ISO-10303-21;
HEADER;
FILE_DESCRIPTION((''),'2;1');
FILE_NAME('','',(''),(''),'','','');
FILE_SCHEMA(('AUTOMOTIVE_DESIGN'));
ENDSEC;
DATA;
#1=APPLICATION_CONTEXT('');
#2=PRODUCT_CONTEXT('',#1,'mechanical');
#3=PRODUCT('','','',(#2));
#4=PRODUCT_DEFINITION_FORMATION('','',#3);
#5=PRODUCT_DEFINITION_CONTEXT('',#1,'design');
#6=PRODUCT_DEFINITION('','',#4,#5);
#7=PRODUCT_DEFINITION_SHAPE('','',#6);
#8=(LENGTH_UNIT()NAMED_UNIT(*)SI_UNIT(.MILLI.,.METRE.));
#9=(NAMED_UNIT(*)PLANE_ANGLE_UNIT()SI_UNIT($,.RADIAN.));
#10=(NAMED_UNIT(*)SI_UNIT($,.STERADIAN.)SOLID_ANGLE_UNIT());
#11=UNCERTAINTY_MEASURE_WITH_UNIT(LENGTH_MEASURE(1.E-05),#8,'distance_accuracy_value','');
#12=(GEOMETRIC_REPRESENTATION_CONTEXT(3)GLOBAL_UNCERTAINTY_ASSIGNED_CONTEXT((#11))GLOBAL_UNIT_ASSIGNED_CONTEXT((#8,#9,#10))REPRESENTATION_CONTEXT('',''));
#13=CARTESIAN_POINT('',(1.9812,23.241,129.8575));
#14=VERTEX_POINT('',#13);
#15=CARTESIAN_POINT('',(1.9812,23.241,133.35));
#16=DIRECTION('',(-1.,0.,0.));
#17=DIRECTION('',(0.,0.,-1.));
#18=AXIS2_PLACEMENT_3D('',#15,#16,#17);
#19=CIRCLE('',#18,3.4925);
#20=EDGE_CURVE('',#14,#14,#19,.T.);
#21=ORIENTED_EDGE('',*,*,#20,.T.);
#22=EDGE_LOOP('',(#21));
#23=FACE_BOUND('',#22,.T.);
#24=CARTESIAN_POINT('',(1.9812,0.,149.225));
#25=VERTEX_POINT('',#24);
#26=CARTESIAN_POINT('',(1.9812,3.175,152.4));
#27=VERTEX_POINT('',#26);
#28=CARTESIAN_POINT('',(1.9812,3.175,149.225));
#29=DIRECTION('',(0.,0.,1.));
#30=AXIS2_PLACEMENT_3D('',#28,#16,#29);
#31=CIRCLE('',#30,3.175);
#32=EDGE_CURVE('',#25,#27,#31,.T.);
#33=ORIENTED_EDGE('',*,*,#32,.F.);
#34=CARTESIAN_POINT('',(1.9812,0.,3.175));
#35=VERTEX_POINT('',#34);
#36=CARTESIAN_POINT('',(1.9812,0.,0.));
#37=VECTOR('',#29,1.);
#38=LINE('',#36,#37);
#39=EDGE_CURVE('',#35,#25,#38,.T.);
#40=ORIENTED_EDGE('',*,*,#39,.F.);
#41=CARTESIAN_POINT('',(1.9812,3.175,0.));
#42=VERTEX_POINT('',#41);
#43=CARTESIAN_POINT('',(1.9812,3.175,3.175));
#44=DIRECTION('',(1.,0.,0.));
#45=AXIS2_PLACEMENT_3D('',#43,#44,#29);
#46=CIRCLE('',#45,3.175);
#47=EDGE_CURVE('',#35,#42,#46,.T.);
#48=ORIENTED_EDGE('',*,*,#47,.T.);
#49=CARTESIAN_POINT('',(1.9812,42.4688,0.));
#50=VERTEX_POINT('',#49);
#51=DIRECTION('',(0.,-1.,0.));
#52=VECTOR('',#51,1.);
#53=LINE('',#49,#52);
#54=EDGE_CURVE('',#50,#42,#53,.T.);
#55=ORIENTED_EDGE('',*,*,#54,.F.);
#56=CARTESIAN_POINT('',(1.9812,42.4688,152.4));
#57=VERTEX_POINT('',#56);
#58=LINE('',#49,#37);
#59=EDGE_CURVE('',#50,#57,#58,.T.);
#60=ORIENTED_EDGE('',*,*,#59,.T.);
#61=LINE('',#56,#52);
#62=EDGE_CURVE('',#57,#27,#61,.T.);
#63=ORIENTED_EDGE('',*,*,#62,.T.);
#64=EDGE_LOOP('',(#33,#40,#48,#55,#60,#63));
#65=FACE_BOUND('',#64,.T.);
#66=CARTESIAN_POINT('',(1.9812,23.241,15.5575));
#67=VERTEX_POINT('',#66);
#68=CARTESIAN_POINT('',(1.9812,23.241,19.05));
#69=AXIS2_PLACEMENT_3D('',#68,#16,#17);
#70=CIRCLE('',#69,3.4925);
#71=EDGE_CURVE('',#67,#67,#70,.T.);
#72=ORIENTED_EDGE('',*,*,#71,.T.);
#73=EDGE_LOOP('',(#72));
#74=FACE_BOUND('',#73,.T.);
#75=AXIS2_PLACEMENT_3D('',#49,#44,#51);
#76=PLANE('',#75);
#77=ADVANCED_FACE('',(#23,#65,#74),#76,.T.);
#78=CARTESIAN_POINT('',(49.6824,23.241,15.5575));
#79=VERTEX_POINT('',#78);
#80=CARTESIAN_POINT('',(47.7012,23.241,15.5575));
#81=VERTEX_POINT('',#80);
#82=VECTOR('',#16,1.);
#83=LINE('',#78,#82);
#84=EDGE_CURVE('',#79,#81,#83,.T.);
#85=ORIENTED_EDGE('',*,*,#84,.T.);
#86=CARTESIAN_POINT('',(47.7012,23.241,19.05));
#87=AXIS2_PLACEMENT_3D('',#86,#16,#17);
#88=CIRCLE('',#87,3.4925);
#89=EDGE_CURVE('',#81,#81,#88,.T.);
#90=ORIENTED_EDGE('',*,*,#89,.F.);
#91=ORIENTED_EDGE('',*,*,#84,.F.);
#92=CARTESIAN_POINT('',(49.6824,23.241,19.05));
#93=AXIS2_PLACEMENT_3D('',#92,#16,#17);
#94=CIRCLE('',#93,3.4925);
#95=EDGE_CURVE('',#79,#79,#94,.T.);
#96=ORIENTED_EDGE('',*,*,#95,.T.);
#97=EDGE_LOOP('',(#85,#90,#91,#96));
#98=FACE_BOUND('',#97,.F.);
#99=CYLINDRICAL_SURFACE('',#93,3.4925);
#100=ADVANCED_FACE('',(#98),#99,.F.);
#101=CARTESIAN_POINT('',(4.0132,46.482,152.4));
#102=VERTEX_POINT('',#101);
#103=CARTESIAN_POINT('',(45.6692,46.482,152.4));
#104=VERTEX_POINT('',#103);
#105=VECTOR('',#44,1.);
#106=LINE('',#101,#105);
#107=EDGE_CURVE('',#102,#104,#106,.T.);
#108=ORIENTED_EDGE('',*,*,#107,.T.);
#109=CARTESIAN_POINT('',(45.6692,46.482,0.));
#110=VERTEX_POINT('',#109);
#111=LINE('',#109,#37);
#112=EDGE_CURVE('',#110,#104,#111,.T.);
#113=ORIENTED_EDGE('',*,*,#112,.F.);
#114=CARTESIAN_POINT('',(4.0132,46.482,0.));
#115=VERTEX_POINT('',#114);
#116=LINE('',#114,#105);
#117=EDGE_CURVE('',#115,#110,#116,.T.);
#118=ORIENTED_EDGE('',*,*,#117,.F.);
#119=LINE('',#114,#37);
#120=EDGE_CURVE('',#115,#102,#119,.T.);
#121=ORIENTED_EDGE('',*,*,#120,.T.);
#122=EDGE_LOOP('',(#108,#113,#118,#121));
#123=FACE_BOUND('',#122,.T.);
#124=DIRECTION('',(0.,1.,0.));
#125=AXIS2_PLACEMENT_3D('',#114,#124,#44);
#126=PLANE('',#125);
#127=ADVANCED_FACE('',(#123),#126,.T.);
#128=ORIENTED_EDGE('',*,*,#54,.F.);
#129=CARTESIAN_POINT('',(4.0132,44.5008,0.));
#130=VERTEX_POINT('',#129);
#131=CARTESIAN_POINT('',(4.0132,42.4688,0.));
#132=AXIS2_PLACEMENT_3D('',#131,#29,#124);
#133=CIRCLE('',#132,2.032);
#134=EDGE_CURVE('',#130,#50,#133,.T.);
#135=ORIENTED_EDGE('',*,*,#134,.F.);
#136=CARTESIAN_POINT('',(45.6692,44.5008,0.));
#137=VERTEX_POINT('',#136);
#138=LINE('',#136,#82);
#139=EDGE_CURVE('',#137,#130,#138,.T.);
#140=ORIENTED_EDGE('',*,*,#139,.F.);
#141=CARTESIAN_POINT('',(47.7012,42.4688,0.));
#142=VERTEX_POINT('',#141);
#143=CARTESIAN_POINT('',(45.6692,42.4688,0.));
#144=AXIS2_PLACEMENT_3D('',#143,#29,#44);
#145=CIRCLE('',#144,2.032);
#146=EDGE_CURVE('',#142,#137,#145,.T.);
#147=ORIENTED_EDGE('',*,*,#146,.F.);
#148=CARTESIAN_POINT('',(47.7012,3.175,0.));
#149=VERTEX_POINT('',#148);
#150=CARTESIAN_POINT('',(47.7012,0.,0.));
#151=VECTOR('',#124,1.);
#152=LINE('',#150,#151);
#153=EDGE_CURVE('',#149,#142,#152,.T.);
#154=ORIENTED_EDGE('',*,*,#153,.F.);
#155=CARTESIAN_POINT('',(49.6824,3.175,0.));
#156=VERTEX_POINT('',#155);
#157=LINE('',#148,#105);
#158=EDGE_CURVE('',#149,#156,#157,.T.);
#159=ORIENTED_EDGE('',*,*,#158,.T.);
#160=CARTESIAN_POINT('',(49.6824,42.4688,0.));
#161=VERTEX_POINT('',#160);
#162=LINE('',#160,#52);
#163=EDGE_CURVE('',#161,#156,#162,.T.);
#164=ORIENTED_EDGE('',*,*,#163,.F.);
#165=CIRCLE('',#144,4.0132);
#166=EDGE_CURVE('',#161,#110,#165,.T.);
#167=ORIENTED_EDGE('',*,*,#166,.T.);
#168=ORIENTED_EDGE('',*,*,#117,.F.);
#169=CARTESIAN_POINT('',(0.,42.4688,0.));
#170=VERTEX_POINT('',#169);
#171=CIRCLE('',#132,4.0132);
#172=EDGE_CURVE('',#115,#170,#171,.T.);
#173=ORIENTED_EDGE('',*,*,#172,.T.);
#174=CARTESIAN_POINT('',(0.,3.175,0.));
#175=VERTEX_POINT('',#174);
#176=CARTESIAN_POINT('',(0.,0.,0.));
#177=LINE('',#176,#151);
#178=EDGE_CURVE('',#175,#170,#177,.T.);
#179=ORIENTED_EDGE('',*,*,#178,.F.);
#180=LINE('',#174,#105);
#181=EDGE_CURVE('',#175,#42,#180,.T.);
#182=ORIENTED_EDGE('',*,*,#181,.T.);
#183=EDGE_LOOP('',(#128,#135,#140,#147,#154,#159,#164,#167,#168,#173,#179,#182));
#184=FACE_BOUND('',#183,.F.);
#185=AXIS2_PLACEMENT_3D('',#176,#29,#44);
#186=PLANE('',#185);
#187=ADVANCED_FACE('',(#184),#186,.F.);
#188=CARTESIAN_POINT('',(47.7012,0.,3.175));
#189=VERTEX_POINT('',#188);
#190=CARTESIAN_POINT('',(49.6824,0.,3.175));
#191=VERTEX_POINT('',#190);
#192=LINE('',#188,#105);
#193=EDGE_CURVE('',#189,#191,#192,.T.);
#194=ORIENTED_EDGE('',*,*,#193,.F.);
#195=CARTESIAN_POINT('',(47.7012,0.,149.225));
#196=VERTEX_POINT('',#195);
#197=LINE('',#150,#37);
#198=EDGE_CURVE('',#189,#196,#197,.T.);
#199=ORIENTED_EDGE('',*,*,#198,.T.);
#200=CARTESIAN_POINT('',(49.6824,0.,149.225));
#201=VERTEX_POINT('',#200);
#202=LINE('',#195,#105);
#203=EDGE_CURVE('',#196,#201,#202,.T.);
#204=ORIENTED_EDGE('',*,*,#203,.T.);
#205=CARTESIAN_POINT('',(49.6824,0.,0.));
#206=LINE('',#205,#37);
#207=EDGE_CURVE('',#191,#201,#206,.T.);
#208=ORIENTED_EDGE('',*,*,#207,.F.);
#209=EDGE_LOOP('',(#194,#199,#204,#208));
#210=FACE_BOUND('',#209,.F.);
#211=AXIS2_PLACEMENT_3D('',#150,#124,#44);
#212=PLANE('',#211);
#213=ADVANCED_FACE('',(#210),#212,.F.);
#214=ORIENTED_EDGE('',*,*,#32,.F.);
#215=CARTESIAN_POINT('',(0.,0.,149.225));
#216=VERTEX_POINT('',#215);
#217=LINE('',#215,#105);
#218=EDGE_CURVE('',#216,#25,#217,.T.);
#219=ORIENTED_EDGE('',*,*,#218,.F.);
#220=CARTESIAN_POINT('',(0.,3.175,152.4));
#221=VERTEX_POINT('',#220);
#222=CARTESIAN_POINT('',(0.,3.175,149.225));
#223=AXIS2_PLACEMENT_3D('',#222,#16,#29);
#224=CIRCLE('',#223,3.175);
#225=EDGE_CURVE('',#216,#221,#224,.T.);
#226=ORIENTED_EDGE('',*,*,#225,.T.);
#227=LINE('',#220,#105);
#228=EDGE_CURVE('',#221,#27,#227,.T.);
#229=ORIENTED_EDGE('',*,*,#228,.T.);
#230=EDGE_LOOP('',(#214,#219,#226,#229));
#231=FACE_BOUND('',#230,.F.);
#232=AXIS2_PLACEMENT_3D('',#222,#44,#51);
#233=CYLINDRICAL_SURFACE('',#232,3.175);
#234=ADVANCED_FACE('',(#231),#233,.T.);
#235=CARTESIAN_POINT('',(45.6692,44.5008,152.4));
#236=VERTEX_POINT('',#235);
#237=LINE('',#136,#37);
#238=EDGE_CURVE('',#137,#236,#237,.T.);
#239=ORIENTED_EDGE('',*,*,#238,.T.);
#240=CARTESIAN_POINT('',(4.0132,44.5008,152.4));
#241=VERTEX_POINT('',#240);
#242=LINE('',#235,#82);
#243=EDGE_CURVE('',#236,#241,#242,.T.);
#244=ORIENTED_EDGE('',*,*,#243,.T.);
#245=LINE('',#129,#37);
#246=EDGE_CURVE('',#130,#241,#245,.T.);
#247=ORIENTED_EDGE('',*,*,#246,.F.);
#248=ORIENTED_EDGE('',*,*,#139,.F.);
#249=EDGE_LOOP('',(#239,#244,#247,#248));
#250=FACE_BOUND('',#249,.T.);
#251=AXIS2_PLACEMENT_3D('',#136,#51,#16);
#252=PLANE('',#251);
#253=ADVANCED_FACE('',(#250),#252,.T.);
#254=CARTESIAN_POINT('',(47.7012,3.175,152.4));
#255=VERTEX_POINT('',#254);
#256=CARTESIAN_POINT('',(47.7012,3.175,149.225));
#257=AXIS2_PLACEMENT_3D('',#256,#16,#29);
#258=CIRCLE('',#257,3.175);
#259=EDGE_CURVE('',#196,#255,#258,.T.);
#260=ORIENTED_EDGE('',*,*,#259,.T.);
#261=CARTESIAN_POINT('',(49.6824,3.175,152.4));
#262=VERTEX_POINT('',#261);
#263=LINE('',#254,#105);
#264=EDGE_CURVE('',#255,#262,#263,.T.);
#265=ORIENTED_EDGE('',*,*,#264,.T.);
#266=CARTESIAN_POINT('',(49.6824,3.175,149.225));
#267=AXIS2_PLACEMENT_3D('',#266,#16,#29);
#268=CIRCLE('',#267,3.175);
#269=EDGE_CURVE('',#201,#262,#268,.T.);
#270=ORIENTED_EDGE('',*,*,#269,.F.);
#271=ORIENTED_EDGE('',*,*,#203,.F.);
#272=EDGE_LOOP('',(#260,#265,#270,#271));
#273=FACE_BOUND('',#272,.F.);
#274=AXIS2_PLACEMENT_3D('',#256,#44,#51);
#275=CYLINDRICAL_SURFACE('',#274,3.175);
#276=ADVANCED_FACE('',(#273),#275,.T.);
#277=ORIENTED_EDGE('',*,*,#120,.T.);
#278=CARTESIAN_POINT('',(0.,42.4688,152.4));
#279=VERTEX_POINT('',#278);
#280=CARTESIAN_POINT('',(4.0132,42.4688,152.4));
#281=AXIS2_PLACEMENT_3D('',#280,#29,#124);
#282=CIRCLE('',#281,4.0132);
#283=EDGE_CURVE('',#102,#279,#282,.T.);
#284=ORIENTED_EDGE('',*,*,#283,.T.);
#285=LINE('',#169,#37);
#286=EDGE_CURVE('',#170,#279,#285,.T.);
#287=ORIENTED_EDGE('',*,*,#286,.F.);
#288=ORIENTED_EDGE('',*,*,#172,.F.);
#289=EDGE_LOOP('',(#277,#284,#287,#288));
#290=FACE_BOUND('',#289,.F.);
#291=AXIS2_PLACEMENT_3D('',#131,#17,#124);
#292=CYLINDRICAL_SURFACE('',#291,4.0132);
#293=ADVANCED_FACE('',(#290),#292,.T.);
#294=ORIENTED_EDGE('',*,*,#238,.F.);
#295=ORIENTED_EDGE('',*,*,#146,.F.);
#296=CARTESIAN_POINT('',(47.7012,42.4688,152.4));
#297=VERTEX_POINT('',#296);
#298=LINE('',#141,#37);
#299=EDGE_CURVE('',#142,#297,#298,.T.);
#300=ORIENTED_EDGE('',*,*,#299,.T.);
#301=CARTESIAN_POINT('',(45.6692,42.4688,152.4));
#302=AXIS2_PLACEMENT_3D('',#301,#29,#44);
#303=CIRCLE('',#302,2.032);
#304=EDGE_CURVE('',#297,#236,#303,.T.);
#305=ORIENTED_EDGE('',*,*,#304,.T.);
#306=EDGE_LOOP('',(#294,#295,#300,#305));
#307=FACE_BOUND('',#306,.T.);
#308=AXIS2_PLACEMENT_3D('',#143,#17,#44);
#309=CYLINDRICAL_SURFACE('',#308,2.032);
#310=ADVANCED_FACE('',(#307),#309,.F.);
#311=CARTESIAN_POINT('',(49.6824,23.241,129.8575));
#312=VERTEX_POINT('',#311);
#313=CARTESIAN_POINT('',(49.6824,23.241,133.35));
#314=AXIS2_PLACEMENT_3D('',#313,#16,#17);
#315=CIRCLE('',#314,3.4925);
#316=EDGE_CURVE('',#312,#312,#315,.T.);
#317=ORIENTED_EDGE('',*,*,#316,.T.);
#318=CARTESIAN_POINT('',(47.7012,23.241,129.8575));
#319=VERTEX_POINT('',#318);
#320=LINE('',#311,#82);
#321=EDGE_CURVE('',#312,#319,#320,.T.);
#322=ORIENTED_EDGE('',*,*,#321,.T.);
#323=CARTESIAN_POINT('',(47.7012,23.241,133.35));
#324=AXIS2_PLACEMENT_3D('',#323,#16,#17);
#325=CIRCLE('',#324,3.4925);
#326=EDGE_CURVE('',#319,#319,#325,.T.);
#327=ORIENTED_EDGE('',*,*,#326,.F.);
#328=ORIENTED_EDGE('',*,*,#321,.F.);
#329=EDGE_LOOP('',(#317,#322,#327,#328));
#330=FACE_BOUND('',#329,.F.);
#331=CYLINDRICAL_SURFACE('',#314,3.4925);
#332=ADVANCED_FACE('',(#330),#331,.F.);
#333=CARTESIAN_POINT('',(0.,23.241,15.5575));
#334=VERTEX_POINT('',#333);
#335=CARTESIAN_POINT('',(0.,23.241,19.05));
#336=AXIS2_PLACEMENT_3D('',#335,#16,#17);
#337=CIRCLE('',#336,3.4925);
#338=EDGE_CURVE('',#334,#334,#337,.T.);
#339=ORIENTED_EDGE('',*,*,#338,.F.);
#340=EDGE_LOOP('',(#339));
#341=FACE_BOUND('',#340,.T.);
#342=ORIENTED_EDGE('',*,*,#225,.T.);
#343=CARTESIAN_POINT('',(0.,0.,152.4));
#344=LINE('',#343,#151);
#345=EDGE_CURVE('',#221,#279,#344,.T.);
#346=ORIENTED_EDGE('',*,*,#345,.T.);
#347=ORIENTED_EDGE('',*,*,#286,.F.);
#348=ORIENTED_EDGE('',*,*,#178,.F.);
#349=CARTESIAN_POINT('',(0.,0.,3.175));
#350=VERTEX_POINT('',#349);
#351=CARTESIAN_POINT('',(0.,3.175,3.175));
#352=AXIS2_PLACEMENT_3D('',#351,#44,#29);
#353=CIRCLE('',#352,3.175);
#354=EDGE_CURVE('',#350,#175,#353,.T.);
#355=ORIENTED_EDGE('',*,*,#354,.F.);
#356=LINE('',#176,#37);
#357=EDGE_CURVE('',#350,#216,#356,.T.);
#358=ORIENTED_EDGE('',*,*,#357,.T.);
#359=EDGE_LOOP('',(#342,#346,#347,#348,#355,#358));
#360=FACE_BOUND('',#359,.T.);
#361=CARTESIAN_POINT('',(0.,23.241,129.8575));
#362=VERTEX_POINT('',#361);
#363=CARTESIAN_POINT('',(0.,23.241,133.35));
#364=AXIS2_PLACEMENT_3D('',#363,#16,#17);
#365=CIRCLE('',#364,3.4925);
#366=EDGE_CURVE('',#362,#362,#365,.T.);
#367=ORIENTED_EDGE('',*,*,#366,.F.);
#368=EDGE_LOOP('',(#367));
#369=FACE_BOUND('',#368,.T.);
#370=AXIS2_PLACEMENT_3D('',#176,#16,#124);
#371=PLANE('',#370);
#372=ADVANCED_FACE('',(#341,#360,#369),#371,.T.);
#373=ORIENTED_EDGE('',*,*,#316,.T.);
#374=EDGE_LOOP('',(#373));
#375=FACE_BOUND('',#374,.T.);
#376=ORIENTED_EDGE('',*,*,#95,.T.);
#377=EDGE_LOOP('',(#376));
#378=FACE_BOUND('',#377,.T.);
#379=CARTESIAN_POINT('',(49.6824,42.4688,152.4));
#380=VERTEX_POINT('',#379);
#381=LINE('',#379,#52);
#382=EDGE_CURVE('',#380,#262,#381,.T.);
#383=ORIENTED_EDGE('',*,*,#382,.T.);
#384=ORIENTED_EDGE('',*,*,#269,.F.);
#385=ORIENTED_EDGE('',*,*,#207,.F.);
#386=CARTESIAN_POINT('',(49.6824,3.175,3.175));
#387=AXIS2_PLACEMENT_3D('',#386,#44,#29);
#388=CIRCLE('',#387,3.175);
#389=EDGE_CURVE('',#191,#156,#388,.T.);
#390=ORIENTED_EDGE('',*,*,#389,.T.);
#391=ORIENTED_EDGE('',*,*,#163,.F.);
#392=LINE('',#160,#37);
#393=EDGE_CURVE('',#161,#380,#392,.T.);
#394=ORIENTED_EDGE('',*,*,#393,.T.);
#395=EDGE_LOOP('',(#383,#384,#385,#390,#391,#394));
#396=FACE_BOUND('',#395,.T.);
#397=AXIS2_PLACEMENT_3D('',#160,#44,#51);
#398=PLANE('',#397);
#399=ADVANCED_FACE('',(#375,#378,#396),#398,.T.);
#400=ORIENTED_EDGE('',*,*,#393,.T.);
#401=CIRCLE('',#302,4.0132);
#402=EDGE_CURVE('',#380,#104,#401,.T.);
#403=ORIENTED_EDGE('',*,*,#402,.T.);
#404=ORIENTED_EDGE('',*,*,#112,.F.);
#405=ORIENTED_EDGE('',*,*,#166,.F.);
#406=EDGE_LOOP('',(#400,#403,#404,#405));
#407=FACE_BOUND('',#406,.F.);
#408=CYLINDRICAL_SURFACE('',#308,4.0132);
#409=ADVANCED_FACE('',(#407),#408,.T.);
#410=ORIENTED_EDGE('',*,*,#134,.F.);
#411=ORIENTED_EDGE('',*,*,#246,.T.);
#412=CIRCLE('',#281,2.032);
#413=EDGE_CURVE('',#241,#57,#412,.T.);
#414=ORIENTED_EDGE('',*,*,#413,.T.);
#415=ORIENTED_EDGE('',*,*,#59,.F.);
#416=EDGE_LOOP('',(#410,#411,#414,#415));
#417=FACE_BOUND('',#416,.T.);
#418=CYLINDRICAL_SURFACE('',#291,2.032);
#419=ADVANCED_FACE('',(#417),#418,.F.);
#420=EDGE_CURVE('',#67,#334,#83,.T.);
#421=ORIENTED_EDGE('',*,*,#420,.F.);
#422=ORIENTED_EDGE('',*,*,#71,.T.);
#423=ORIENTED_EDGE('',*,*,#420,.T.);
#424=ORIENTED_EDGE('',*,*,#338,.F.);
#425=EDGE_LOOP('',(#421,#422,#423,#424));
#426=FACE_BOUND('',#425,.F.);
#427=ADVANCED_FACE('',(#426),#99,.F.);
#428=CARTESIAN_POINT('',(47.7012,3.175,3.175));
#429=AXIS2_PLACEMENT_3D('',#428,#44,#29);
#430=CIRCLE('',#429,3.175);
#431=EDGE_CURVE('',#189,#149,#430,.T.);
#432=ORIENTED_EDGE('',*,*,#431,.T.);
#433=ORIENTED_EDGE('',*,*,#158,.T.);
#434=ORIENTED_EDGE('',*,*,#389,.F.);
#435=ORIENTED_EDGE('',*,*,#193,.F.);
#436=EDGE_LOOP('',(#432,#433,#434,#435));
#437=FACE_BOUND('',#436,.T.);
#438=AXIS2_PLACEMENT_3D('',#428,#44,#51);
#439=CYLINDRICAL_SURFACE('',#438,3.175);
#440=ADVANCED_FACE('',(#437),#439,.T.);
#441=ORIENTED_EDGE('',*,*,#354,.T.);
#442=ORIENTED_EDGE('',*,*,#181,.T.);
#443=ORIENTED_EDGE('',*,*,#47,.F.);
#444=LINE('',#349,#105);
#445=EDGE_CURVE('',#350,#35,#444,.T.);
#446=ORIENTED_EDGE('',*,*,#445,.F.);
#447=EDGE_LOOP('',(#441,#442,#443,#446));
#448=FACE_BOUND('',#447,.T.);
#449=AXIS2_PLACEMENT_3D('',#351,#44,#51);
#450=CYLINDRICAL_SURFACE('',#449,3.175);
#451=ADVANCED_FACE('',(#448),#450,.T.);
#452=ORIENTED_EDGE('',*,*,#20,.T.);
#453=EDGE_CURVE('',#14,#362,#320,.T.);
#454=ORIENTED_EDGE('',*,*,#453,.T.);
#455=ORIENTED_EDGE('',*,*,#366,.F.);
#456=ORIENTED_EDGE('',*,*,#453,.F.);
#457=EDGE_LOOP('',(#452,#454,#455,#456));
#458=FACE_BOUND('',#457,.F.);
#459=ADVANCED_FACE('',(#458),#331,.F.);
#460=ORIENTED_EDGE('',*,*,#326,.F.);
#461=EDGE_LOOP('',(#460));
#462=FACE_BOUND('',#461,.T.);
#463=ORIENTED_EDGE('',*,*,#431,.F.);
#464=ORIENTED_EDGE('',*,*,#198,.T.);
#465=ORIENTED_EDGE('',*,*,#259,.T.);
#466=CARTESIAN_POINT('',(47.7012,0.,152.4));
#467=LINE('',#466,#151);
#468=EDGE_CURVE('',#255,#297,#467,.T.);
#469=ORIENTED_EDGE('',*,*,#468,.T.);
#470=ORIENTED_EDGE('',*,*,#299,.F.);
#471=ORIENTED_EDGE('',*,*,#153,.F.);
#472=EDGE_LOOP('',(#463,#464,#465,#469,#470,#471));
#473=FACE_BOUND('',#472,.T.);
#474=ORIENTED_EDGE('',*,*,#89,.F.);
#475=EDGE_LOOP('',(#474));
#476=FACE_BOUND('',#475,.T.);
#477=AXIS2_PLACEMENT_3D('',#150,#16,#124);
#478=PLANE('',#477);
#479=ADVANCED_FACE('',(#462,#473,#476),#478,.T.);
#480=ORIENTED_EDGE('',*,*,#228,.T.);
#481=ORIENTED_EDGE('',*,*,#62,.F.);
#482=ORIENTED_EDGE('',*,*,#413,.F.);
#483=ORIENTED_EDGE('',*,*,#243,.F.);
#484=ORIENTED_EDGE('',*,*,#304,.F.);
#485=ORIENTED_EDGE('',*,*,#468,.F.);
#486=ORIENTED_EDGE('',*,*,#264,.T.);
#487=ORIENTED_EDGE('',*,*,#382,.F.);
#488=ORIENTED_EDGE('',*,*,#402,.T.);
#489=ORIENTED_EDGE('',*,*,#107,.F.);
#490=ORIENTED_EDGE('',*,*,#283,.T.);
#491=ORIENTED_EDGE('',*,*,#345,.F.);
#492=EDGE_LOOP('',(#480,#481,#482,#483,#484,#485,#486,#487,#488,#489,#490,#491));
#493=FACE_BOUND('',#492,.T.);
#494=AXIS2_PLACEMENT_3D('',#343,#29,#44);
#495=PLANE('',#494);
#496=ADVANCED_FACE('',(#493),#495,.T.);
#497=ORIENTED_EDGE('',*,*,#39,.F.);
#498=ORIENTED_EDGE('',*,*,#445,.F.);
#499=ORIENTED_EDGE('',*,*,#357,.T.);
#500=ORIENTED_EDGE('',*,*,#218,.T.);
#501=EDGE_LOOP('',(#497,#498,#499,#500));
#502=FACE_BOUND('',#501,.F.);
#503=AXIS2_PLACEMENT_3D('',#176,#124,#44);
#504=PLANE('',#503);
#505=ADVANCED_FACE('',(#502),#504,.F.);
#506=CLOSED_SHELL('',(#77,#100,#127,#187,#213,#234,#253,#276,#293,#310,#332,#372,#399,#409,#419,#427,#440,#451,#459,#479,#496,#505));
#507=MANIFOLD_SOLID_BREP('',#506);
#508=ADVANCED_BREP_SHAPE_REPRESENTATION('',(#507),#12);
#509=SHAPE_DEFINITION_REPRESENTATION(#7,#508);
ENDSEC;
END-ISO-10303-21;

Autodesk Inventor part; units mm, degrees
ref_plane "YZ Plane" through (0, 0, 0) normal (1, 0, 0) x (0, 1, 0)
ref_plane "XZ Plane" through (0, 0, 0) normal (0, 1, 0) x (-1, 0, 0)
ref_plane "XY Plane" through (0, 0, 0) normal (0, 0, 1) x (1, 0, 0)
sketch "Sketch1" plane through (0, 0, 0) normal (0, 0, 1) x (1, 0, 0)
  line L0 (0, 0) -> (0, 42.4688)
  line L1 (4.0132, 46.482) -> (45.6692, 46.482)
  line L2 (49.6824, 42.4688) -> (49.6824, 0)
  arc A0 (4.0132, 46.482) -> (0, 42.4688) centre (4.0132, 42.4688) ccw
  arc A1 (49.6824, 42.4688) -> (45.6692, 46.482) centre (45.6692, 42.4688) ccw
  line L3 (47.7012, 0) -> (47.7012, 42.4688)
  arc A2 (47.7012, 42.4688) -> (45.6692, 44.5008) centre (45.6692, 42.4688) ccw
  line L4 (45.6692, 44.5008) -> (4.0132, 44.5008)
  arc A3 (4.0132, 44.5008) -> (1.9812, 42.4688) centre (4.0132, 42.4688) ccw
  line L5 (1.9812, 42.4688) -> (1.9812, 0)
  line L6 (0, 0) -> (1.9812, 0)
  line L7 (47.7012, 0) -> (49.6824, 0)
  dimension "d1" = 1.9812
  dimension "d3" = 46.482
  dimension "d6" = 45.72
  dimension "d7" = 2.032
extrude "Extrusion1" add sketch "Sketch1" along normal blind 152.4
fillet "Fillet1" radius 3.175 4 edges at (0.9906, 0, 152.4) (48.6918, 0, 152.4) (48.6918, 0, 0) (0.9906, 0, 0)
hole "Hole1" at (49.6824, 23.241, 133.35) direction (-1, 0, 0) diameter 6.985 end through all
pattern_linear "Rectangular Pattern1" count 2 spacing 114.3 along (0, 0, -1) of "Hole1"
properties part number "GE-12052_modified"
